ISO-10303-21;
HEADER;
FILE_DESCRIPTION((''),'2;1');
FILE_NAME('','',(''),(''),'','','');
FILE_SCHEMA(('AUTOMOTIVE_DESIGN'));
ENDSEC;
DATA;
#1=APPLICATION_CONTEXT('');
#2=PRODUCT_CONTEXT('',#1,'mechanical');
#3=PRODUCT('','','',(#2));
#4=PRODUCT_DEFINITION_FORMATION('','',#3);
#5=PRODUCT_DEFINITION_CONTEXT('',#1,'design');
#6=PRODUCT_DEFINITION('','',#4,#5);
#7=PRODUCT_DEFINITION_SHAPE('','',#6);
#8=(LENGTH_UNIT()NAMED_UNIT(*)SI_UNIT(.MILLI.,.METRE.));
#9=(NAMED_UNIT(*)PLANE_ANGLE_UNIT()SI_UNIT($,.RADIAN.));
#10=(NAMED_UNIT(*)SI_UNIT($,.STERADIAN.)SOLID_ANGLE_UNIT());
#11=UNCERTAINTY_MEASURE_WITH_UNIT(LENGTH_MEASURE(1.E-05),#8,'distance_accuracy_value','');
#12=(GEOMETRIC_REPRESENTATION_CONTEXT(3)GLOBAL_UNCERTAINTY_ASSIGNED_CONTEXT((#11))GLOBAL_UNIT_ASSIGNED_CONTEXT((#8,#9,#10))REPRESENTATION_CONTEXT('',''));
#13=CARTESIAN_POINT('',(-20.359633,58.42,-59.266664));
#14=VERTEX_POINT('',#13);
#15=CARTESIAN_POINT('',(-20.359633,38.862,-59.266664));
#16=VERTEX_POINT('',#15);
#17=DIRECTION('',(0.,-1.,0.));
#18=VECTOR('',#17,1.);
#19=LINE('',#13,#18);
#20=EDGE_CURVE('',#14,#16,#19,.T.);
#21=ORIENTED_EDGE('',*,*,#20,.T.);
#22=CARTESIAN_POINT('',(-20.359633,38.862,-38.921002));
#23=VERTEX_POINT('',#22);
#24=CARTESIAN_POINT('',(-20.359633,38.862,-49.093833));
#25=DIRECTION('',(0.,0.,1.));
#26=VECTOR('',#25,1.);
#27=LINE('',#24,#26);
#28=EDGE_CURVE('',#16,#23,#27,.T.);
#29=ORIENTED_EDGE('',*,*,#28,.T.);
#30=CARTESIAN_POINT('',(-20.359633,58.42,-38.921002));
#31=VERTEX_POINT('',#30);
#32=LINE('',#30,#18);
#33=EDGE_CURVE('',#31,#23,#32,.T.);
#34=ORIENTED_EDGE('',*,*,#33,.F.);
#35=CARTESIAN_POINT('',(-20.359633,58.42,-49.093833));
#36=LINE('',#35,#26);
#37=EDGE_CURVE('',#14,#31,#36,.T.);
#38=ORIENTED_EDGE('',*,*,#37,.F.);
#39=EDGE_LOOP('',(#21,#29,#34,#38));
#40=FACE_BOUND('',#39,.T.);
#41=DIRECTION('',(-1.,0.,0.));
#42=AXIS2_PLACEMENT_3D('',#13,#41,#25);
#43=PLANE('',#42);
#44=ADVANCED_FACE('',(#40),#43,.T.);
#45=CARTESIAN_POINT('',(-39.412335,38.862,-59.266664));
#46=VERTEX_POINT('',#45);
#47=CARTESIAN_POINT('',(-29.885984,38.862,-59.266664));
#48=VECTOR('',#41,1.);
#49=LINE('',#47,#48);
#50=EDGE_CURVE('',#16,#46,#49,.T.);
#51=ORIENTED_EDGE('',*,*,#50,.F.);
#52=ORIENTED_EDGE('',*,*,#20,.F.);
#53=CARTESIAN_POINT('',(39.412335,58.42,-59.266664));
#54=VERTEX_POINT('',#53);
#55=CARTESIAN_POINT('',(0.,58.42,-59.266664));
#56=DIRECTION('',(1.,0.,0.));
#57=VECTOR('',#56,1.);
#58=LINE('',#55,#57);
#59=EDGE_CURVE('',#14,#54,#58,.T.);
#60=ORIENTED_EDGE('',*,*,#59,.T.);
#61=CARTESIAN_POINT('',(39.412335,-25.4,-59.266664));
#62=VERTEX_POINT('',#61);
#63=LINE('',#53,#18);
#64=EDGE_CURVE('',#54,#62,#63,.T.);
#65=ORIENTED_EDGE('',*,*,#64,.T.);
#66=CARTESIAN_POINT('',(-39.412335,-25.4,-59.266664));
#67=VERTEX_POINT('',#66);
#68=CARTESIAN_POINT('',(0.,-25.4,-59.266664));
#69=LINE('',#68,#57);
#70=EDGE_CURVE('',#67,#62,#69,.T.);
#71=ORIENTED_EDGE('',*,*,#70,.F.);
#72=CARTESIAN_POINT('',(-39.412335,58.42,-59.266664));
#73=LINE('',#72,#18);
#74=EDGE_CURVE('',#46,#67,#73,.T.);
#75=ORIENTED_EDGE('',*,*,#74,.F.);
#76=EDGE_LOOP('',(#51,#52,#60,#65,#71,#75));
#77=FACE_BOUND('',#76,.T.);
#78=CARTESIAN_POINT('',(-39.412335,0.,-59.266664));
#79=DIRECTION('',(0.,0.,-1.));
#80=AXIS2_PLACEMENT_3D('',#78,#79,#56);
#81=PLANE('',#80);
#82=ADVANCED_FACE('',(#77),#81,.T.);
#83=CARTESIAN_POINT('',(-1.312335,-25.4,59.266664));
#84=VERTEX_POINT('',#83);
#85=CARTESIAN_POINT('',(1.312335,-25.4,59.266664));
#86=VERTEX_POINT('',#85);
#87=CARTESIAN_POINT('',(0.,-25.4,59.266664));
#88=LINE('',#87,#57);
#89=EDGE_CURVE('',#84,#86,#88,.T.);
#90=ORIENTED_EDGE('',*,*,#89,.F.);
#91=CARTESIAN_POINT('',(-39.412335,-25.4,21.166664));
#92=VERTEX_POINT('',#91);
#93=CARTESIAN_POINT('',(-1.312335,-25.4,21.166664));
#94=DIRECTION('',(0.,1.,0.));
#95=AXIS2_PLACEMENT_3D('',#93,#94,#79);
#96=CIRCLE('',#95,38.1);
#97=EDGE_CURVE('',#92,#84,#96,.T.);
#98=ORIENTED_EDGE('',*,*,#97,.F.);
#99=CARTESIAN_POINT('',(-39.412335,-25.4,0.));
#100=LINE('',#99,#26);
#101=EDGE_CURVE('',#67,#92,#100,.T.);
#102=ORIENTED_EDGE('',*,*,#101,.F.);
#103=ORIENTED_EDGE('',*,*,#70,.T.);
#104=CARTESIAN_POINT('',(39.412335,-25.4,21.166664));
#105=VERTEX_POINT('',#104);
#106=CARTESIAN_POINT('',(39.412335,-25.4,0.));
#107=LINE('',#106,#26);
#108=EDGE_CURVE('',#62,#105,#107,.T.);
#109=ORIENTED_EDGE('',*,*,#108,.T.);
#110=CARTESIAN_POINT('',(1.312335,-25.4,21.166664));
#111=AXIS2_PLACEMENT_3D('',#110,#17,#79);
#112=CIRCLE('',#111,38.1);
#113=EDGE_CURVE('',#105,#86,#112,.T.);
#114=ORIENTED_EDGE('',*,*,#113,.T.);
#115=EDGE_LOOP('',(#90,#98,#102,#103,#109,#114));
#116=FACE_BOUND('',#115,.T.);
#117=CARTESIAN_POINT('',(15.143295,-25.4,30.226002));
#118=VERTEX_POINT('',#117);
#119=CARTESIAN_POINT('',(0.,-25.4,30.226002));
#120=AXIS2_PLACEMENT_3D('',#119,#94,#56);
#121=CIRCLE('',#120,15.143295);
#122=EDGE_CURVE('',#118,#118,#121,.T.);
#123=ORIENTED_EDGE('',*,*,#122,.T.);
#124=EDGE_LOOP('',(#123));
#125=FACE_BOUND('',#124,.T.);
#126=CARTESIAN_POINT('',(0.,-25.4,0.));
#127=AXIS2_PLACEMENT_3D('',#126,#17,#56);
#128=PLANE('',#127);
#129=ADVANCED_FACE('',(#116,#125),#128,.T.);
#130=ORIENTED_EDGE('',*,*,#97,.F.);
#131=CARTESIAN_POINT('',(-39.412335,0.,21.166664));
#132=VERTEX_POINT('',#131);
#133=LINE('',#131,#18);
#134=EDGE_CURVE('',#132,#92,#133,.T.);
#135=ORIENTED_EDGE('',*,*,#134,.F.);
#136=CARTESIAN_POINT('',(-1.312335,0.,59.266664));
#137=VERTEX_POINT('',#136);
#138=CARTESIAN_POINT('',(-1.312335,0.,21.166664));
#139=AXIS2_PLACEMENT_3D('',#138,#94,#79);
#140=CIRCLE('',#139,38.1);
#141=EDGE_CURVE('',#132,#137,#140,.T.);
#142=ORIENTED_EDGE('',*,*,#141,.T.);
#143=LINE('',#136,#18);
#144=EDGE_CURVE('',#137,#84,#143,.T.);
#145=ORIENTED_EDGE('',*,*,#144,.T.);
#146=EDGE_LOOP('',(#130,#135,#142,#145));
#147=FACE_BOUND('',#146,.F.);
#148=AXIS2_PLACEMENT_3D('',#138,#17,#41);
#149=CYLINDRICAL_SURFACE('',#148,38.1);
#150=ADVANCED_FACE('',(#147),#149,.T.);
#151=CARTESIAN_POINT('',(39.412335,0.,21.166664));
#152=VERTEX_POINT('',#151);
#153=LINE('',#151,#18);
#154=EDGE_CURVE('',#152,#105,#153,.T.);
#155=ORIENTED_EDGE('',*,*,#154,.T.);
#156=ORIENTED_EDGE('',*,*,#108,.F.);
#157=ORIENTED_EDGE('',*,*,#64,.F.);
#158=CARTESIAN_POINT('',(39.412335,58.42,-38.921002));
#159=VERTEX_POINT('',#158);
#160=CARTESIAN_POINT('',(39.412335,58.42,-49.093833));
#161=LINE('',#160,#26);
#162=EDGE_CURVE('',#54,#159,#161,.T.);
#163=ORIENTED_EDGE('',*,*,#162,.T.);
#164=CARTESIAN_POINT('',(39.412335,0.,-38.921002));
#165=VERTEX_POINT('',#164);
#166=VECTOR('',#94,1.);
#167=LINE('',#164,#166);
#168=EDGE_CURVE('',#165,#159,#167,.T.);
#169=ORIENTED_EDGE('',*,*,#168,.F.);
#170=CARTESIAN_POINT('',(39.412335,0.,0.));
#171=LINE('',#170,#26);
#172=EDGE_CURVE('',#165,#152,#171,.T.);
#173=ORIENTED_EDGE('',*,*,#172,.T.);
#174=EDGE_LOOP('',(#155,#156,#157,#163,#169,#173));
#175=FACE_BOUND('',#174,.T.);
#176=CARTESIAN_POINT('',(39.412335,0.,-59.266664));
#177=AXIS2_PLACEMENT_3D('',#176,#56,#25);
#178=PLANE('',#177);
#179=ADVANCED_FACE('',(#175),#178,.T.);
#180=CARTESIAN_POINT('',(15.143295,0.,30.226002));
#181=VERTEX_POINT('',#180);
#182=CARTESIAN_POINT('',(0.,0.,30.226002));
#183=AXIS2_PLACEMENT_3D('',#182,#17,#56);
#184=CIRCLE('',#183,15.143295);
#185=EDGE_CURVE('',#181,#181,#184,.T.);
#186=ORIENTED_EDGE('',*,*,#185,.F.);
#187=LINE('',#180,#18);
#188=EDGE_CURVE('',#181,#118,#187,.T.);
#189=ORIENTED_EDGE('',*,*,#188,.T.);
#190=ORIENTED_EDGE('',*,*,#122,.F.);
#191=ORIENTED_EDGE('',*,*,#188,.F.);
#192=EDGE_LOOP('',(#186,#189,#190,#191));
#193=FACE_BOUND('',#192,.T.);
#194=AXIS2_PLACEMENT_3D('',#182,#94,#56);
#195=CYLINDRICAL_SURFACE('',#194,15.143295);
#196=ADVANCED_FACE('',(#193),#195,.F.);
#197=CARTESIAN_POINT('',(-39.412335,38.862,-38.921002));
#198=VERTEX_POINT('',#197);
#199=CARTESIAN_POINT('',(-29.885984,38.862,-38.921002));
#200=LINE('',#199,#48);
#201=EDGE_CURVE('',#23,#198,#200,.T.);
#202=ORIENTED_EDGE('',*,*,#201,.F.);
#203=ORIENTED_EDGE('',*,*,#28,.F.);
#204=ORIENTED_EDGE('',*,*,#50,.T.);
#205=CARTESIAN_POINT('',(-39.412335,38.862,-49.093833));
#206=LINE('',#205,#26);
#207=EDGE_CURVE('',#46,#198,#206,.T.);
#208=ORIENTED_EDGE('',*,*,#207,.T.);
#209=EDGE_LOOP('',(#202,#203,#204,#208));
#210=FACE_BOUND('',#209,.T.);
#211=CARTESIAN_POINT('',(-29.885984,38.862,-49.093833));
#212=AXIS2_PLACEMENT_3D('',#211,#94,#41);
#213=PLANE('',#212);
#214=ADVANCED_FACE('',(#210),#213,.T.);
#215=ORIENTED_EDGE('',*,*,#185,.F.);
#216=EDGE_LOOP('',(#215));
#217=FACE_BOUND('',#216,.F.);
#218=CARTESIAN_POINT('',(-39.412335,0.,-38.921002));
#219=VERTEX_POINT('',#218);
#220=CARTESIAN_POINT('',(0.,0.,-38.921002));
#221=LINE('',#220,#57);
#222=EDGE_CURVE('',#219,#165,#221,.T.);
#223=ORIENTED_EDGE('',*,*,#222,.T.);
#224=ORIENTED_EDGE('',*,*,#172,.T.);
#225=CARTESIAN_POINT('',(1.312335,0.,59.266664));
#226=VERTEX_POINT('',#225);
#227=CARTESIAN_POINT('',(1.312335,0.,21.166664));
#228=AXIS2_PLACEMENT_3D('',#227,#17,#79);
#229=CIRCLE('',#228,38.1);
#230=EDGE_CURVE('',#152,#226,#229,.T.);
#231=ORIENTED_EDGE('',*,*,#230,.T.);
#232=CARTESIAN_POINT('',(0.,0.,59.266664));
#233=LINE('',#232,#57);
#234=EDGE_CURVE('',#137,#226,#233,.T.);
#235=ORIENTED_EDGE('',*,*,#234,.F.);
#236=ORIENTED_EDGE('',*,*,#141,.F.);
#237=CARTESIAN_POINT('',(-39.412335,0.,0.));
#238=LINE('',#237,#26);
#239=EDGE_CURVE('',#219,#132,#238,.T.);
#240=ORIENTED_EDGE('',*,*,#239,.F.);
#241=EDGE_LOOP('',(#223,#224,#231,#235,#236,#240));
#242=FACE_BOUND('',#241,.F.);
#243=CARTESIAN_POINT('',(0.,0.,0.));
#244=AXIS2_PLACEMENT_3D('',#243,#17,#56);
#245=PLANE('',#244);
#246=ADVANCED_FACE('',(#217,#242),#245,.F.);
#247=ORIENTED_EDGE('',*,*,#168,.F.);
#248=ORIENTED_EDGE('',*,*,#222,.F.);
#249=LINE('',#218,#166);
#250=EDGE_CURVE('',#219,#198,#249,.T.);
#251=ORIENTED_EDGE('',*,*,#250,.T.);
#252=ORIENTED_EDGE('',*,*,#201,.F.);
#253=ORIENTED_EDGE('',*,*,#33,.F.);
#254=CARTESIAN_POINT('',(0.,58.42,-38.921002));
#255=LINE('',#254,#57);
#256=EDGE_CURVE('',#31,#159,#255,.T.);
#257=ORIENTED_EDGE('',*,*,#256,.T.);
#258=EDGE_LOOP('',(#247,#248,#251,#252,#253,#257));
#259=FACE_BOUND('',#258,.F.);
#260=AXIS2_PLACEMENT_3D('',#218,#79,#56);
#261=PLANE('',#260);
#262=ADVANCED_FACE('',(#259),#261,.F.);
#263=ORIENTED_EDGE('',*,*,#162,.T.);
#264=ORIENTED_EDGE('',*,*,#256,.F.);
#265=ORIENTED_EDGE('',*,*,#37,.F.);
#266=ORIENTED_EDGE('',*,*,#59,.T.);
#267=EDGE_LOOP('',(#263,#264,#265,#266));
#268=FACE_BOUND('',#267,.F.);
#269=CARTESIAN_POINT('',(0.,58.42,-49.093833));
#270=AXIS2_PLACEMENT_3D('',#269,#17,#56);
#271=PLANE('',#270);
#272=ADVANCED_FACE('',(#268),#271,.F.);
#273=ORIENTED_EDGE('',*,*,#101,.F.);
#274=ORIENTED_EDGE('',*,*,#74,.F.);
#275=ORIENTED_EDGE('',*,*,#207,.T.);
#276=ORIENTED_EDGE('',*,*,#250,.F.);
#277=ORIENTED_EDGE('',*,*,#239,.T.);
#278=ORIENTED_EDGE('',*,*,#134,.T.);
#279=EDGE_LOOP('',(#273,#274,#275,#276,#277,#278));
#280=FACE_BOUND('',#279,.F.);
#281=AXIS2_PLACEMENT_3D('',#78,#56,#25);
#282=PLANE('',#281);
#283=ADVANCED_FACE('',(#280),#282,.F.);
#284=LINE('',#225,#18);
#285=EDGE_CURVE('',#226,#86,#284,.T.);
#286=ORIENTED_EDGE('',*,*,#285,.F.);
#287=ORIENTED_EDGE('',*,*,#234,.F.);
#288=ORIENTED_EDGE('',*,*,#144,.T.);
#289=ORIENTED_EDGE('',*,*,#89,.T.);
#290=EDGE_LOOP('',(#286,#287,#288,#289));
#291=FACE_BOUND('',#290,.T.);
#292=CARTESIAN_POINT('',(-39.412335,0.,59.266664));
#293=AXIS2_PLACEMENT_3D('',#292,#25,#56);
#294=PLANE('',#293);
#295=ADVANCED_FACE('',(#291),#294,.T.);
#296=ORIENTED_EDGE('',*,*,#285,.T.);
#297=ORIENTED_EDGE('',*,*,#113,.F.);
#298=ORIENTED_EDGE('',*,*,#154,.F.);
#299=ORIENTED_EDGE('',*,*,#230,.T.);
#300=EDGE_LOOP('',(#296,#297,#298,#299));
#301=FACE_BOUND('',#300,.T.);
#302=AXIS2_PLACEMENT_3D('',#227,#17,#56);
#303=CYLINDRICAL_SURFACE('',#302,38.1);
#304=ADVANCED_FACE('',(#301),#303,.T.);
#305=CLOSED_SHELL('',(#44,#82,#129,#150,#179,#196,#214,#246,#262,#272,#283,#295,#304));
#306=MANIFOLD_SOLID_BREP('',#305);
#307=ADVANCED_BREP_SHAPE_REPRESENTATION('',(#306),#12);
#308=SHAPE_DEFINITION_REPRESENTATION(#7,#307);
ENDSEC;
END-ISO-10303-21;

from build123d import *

# Parameters (mm, degrees)
F0_W     = 78.8246691227
F0_H     = 118.5333281755
F1_DEPTH = 25.4
F2_R     = 38.1
F3_R     = 15.1432948242
F4_DEPTH = 25.401
F5_W     = 78.8246691227
F5_H     = 20.3456624932
F6_DEPTH = 58.42
F7_W     = 19.0527010709
F7_H     = 20.3456624932
F8_DEPTH = 19.558


with BuildPart() as f1:
    # F0 (on Front) → F1 (new body)
    with BuildSketch(Plane.XZ):
        Rectangle(F0_W, F0_H)
    extrude(amount=F1_DEPTH)

    # F2
    f2_edges = [f1.edges().sort_by_distance(p)[0] for p in [
        (-39.412335, -12.7, 59.266664),
        (39.412335, -12.7, 59.266664),
    ]]
    fillet(f2_edges, radius=F2_R)

    # F3 (on Front) → F4 (cut, through all)
    with BuildSketch(Plane.XZ):
        with Locations((0, 30.226001516)):
            Circle(F3_R)
    extrude(amount=F4_DEPTH, mode=Mode.SUBTRACT)

    # F5 (on Front) → F6 (join)
    with BuildSketch(Plane.XZ):
        with Locations((0, -49.0938328412)):
            Rectangle(F5_W, F5_H)
    extrude(amount=-F6_DEPTH)

    # F7 (on face) → F8 (cut)
    with BuildSketch(Plane(origin=(0, 58.42, 0), x_dir=(-1, 0, 0), z_dir=(0, 1, 0))):
        with Locations((29.8859840259, -49.0938328412)):
            Rectangle(F7_W, F7_H)
    extrude(amount=-F8_DEPTH, mode=Mode.SUBTRACT)


solid = f1.part
